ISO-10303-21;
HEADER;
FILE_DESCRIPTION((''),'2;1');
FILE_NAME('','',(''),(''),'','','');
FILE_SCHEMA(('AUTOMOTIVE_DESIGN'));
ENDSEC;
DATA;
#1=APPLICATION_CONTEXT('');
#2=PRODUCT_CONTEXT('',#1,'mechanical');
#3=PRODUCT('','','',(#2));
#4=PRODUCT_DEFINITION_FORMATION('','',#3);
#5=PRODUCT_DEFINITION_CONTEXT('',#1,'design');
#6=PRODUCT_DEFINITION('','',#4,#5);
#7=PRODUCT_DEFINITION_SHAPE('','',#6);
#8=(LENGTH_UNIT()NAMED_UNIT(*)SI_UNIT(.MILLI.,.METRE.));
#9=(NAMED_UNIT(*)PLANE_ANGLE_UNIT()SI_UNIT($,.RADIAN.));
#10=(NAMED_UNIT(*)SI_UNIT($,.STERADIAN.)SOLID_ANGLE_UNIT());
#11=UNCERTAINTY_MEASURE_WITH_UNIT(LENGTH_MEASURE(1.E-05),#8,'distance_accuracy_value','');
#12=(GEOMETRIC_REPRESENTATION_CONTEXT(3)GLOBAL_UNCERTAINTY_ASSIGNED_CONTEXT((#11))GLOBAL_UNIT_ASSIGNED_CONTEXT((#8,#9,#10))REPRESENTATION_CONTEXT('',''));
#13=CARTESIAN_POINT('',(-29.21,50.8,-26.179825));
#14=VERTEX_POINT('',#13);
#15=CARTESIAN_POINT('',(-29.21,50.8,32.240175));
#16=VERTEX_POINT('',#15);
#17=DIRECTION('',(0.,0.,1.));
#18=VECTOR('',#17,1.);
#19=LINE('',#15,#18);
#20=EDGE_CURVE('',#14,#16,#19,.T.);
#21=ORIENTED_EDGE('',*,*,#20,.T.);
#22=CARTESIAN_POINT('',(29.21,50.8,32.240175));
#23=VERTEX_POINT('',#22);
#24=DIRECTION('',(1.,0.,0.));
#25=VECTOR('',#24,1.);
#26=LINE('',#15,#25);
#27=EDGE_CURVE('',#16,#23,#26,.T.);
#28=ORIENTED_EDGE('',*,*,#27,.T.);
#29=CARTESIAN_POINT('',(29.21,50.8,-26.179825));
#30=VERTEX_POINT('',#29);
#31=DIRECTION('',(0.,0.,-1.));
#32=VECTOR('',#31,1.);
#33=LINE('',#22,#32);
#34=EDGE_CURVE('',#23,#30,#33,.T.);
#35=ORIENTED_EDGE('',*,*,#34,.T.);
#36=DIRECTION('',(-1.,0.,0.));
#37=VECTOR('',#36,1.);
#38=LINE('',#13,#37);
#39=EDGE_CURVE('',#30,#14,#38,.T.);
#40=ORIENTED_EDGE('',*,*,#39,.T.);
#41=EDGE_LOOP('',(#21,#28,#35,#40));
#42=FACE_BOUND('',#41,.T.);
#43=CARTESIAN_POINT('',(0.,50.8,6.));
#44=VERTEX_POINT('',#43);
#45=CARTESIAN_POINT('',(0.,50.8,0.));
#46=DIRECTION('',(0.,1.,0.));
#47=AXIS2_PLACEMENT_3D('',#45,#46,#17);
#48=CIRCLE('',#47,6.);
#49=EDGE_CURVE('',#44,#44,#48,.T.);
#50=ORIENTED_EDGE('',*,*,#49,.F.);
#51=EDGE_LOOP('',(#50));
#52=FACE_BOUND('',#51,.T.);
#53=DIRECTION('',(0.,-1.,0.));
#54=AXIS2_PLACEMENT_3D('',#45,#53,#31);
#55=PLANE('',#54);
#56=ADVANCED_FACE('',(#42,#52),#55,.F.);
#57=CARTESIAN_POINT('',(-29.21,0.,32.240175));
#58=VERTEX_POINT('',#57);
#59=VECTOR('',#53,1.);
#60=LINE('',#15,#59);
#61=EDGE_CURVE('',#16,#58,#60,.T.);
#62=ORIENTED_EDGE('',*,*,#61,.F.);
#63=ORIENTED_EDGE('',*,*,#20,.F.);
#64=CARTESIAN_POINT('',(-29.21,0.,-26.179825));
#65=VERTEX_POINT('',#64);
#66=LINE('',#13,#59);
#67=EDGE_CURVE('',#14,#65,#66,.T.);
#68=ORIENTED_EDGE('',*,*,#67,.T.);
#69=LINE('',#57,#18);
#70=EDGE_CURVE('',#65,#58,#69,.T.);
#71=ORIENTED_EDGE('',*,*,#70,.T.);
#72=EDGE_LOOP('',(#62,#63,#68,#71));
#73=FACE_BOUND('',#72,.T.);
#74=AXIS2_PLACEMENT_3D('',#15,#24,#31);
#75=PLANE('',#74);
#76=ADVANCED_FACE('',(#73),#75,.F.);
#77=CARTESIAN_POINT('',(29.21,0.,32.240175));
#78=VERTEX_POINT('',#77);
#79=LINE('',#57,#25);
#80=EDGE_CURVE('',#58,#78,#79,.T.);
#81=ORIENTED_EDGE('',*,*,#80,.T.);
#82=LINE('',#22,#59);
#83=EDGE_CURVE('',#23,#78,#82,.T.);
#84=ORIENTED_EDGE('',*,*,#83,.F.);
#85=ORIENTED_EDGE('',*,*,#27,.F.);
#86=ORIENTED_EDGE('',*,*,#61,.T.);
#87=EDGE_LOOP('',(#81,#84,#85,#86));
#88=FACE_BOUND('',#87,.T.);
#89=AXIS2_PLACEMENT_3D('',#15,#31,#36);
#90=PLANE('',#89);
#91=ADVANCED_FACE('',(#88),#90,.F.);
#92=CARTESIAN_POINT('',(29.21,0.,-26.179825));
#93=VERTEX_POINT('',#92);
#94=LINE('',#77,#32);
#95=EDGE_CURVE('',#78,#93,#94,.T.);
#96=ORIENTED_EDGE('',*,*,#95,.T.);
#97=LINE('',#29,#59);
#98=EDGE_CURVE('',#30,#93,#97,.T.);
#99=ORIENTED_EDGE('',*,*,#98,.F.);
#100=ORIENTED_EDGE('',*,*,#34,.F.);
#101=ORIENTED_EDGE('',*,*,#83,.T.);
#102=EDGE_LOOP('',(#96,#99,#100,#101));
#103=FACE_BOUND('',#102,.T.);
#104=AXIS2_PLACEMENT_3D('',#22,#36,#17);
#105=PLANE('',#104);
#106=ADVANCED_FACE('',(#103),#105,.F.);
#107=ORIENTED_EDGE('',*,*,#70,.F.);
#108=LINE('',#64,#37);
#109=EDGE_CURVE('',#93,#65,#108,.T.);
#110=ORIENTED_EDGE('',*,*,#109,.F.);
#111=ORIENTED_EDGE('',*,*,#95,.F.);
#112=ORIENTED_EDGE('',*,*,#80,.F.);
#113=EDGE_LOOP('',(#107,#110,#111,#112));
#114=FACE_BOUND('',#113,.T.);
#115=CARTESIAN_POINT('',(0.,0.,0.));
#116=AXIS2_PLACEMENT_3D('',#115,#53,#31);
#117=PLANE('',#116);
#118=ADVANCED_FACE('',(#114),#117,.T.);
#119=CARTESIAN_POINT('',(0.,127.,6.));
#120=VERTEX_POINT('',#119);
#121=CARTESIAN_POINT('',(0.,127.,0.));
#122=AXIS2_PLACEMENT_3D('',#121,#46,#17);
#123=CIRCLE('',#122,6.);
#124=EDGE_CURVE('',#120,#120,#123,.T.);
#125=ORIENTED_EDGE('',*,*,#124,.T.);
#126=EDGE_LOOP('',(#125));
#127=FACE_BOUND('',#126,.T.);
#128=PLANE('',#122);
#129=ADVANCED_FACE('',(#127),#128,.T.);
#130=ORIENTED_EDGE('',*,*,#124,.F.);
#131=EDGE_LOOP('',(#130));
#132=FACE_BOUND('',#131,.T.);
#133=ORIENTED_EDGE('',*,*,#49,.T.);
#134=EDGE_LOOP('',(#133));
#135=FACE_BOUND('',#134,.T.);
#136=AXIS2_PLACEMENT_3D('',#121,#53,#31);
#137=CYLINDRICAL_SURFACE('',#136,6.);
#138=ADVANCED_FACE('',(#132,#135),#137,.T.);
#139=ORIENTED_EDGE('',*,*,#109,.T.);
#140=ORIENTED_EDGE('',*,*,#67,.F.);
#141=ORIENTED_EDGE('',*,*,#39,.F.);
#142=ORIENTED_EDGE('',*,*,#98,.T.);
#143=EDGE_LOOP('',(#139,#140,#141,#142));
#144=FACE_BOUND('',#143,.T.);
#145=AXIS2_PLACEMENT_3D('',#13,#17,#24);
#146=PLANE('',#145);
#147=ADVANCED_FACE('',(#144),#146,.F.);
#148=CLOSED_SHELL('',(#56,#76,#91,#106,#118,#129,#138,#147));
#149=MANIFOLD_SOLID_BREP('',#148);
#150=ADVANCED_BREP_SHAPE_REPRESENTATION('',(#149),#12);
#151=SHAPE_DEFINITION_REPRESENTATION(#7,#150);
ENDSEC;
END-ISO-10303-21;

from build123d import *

# Parameters (mm, degrees)
SKETCH1_W           = 58.42
SKETCH1_H           = 58.42
BOSS_EXTRUDE1_DEPTH = 50.8
SKETCH2_R           = 6
BOSS_EXTRUDE2_DEPTH = 76.2


with BuildPart() as part:
    # Sketch1 → Boss-Extrude1 (new body)
    with BuildSketch(Plane(origin=(0, 0, 0), x_dir=(1, 0, 0), z_dir=(0, 1, 0))):
        with Locations((0, -3.030175439)):
            Rectangle(SKETCH1_W, SKETCH1_H)
    extrude(amount=BOSS_EXTRUDE1_DEPTH)

    # Sketch2 → Boss-Extrude2 (add)
    with BuildSketch(Plane(origin=(0, 50.8, 0), x_dir=(1, 0, 0), z_dir=(0, 1, 0))):
        Circle(SKETCH2_R)
    extrude(amount=BOSS_EXTRUDE2_DEPTH)


solid = part.part
